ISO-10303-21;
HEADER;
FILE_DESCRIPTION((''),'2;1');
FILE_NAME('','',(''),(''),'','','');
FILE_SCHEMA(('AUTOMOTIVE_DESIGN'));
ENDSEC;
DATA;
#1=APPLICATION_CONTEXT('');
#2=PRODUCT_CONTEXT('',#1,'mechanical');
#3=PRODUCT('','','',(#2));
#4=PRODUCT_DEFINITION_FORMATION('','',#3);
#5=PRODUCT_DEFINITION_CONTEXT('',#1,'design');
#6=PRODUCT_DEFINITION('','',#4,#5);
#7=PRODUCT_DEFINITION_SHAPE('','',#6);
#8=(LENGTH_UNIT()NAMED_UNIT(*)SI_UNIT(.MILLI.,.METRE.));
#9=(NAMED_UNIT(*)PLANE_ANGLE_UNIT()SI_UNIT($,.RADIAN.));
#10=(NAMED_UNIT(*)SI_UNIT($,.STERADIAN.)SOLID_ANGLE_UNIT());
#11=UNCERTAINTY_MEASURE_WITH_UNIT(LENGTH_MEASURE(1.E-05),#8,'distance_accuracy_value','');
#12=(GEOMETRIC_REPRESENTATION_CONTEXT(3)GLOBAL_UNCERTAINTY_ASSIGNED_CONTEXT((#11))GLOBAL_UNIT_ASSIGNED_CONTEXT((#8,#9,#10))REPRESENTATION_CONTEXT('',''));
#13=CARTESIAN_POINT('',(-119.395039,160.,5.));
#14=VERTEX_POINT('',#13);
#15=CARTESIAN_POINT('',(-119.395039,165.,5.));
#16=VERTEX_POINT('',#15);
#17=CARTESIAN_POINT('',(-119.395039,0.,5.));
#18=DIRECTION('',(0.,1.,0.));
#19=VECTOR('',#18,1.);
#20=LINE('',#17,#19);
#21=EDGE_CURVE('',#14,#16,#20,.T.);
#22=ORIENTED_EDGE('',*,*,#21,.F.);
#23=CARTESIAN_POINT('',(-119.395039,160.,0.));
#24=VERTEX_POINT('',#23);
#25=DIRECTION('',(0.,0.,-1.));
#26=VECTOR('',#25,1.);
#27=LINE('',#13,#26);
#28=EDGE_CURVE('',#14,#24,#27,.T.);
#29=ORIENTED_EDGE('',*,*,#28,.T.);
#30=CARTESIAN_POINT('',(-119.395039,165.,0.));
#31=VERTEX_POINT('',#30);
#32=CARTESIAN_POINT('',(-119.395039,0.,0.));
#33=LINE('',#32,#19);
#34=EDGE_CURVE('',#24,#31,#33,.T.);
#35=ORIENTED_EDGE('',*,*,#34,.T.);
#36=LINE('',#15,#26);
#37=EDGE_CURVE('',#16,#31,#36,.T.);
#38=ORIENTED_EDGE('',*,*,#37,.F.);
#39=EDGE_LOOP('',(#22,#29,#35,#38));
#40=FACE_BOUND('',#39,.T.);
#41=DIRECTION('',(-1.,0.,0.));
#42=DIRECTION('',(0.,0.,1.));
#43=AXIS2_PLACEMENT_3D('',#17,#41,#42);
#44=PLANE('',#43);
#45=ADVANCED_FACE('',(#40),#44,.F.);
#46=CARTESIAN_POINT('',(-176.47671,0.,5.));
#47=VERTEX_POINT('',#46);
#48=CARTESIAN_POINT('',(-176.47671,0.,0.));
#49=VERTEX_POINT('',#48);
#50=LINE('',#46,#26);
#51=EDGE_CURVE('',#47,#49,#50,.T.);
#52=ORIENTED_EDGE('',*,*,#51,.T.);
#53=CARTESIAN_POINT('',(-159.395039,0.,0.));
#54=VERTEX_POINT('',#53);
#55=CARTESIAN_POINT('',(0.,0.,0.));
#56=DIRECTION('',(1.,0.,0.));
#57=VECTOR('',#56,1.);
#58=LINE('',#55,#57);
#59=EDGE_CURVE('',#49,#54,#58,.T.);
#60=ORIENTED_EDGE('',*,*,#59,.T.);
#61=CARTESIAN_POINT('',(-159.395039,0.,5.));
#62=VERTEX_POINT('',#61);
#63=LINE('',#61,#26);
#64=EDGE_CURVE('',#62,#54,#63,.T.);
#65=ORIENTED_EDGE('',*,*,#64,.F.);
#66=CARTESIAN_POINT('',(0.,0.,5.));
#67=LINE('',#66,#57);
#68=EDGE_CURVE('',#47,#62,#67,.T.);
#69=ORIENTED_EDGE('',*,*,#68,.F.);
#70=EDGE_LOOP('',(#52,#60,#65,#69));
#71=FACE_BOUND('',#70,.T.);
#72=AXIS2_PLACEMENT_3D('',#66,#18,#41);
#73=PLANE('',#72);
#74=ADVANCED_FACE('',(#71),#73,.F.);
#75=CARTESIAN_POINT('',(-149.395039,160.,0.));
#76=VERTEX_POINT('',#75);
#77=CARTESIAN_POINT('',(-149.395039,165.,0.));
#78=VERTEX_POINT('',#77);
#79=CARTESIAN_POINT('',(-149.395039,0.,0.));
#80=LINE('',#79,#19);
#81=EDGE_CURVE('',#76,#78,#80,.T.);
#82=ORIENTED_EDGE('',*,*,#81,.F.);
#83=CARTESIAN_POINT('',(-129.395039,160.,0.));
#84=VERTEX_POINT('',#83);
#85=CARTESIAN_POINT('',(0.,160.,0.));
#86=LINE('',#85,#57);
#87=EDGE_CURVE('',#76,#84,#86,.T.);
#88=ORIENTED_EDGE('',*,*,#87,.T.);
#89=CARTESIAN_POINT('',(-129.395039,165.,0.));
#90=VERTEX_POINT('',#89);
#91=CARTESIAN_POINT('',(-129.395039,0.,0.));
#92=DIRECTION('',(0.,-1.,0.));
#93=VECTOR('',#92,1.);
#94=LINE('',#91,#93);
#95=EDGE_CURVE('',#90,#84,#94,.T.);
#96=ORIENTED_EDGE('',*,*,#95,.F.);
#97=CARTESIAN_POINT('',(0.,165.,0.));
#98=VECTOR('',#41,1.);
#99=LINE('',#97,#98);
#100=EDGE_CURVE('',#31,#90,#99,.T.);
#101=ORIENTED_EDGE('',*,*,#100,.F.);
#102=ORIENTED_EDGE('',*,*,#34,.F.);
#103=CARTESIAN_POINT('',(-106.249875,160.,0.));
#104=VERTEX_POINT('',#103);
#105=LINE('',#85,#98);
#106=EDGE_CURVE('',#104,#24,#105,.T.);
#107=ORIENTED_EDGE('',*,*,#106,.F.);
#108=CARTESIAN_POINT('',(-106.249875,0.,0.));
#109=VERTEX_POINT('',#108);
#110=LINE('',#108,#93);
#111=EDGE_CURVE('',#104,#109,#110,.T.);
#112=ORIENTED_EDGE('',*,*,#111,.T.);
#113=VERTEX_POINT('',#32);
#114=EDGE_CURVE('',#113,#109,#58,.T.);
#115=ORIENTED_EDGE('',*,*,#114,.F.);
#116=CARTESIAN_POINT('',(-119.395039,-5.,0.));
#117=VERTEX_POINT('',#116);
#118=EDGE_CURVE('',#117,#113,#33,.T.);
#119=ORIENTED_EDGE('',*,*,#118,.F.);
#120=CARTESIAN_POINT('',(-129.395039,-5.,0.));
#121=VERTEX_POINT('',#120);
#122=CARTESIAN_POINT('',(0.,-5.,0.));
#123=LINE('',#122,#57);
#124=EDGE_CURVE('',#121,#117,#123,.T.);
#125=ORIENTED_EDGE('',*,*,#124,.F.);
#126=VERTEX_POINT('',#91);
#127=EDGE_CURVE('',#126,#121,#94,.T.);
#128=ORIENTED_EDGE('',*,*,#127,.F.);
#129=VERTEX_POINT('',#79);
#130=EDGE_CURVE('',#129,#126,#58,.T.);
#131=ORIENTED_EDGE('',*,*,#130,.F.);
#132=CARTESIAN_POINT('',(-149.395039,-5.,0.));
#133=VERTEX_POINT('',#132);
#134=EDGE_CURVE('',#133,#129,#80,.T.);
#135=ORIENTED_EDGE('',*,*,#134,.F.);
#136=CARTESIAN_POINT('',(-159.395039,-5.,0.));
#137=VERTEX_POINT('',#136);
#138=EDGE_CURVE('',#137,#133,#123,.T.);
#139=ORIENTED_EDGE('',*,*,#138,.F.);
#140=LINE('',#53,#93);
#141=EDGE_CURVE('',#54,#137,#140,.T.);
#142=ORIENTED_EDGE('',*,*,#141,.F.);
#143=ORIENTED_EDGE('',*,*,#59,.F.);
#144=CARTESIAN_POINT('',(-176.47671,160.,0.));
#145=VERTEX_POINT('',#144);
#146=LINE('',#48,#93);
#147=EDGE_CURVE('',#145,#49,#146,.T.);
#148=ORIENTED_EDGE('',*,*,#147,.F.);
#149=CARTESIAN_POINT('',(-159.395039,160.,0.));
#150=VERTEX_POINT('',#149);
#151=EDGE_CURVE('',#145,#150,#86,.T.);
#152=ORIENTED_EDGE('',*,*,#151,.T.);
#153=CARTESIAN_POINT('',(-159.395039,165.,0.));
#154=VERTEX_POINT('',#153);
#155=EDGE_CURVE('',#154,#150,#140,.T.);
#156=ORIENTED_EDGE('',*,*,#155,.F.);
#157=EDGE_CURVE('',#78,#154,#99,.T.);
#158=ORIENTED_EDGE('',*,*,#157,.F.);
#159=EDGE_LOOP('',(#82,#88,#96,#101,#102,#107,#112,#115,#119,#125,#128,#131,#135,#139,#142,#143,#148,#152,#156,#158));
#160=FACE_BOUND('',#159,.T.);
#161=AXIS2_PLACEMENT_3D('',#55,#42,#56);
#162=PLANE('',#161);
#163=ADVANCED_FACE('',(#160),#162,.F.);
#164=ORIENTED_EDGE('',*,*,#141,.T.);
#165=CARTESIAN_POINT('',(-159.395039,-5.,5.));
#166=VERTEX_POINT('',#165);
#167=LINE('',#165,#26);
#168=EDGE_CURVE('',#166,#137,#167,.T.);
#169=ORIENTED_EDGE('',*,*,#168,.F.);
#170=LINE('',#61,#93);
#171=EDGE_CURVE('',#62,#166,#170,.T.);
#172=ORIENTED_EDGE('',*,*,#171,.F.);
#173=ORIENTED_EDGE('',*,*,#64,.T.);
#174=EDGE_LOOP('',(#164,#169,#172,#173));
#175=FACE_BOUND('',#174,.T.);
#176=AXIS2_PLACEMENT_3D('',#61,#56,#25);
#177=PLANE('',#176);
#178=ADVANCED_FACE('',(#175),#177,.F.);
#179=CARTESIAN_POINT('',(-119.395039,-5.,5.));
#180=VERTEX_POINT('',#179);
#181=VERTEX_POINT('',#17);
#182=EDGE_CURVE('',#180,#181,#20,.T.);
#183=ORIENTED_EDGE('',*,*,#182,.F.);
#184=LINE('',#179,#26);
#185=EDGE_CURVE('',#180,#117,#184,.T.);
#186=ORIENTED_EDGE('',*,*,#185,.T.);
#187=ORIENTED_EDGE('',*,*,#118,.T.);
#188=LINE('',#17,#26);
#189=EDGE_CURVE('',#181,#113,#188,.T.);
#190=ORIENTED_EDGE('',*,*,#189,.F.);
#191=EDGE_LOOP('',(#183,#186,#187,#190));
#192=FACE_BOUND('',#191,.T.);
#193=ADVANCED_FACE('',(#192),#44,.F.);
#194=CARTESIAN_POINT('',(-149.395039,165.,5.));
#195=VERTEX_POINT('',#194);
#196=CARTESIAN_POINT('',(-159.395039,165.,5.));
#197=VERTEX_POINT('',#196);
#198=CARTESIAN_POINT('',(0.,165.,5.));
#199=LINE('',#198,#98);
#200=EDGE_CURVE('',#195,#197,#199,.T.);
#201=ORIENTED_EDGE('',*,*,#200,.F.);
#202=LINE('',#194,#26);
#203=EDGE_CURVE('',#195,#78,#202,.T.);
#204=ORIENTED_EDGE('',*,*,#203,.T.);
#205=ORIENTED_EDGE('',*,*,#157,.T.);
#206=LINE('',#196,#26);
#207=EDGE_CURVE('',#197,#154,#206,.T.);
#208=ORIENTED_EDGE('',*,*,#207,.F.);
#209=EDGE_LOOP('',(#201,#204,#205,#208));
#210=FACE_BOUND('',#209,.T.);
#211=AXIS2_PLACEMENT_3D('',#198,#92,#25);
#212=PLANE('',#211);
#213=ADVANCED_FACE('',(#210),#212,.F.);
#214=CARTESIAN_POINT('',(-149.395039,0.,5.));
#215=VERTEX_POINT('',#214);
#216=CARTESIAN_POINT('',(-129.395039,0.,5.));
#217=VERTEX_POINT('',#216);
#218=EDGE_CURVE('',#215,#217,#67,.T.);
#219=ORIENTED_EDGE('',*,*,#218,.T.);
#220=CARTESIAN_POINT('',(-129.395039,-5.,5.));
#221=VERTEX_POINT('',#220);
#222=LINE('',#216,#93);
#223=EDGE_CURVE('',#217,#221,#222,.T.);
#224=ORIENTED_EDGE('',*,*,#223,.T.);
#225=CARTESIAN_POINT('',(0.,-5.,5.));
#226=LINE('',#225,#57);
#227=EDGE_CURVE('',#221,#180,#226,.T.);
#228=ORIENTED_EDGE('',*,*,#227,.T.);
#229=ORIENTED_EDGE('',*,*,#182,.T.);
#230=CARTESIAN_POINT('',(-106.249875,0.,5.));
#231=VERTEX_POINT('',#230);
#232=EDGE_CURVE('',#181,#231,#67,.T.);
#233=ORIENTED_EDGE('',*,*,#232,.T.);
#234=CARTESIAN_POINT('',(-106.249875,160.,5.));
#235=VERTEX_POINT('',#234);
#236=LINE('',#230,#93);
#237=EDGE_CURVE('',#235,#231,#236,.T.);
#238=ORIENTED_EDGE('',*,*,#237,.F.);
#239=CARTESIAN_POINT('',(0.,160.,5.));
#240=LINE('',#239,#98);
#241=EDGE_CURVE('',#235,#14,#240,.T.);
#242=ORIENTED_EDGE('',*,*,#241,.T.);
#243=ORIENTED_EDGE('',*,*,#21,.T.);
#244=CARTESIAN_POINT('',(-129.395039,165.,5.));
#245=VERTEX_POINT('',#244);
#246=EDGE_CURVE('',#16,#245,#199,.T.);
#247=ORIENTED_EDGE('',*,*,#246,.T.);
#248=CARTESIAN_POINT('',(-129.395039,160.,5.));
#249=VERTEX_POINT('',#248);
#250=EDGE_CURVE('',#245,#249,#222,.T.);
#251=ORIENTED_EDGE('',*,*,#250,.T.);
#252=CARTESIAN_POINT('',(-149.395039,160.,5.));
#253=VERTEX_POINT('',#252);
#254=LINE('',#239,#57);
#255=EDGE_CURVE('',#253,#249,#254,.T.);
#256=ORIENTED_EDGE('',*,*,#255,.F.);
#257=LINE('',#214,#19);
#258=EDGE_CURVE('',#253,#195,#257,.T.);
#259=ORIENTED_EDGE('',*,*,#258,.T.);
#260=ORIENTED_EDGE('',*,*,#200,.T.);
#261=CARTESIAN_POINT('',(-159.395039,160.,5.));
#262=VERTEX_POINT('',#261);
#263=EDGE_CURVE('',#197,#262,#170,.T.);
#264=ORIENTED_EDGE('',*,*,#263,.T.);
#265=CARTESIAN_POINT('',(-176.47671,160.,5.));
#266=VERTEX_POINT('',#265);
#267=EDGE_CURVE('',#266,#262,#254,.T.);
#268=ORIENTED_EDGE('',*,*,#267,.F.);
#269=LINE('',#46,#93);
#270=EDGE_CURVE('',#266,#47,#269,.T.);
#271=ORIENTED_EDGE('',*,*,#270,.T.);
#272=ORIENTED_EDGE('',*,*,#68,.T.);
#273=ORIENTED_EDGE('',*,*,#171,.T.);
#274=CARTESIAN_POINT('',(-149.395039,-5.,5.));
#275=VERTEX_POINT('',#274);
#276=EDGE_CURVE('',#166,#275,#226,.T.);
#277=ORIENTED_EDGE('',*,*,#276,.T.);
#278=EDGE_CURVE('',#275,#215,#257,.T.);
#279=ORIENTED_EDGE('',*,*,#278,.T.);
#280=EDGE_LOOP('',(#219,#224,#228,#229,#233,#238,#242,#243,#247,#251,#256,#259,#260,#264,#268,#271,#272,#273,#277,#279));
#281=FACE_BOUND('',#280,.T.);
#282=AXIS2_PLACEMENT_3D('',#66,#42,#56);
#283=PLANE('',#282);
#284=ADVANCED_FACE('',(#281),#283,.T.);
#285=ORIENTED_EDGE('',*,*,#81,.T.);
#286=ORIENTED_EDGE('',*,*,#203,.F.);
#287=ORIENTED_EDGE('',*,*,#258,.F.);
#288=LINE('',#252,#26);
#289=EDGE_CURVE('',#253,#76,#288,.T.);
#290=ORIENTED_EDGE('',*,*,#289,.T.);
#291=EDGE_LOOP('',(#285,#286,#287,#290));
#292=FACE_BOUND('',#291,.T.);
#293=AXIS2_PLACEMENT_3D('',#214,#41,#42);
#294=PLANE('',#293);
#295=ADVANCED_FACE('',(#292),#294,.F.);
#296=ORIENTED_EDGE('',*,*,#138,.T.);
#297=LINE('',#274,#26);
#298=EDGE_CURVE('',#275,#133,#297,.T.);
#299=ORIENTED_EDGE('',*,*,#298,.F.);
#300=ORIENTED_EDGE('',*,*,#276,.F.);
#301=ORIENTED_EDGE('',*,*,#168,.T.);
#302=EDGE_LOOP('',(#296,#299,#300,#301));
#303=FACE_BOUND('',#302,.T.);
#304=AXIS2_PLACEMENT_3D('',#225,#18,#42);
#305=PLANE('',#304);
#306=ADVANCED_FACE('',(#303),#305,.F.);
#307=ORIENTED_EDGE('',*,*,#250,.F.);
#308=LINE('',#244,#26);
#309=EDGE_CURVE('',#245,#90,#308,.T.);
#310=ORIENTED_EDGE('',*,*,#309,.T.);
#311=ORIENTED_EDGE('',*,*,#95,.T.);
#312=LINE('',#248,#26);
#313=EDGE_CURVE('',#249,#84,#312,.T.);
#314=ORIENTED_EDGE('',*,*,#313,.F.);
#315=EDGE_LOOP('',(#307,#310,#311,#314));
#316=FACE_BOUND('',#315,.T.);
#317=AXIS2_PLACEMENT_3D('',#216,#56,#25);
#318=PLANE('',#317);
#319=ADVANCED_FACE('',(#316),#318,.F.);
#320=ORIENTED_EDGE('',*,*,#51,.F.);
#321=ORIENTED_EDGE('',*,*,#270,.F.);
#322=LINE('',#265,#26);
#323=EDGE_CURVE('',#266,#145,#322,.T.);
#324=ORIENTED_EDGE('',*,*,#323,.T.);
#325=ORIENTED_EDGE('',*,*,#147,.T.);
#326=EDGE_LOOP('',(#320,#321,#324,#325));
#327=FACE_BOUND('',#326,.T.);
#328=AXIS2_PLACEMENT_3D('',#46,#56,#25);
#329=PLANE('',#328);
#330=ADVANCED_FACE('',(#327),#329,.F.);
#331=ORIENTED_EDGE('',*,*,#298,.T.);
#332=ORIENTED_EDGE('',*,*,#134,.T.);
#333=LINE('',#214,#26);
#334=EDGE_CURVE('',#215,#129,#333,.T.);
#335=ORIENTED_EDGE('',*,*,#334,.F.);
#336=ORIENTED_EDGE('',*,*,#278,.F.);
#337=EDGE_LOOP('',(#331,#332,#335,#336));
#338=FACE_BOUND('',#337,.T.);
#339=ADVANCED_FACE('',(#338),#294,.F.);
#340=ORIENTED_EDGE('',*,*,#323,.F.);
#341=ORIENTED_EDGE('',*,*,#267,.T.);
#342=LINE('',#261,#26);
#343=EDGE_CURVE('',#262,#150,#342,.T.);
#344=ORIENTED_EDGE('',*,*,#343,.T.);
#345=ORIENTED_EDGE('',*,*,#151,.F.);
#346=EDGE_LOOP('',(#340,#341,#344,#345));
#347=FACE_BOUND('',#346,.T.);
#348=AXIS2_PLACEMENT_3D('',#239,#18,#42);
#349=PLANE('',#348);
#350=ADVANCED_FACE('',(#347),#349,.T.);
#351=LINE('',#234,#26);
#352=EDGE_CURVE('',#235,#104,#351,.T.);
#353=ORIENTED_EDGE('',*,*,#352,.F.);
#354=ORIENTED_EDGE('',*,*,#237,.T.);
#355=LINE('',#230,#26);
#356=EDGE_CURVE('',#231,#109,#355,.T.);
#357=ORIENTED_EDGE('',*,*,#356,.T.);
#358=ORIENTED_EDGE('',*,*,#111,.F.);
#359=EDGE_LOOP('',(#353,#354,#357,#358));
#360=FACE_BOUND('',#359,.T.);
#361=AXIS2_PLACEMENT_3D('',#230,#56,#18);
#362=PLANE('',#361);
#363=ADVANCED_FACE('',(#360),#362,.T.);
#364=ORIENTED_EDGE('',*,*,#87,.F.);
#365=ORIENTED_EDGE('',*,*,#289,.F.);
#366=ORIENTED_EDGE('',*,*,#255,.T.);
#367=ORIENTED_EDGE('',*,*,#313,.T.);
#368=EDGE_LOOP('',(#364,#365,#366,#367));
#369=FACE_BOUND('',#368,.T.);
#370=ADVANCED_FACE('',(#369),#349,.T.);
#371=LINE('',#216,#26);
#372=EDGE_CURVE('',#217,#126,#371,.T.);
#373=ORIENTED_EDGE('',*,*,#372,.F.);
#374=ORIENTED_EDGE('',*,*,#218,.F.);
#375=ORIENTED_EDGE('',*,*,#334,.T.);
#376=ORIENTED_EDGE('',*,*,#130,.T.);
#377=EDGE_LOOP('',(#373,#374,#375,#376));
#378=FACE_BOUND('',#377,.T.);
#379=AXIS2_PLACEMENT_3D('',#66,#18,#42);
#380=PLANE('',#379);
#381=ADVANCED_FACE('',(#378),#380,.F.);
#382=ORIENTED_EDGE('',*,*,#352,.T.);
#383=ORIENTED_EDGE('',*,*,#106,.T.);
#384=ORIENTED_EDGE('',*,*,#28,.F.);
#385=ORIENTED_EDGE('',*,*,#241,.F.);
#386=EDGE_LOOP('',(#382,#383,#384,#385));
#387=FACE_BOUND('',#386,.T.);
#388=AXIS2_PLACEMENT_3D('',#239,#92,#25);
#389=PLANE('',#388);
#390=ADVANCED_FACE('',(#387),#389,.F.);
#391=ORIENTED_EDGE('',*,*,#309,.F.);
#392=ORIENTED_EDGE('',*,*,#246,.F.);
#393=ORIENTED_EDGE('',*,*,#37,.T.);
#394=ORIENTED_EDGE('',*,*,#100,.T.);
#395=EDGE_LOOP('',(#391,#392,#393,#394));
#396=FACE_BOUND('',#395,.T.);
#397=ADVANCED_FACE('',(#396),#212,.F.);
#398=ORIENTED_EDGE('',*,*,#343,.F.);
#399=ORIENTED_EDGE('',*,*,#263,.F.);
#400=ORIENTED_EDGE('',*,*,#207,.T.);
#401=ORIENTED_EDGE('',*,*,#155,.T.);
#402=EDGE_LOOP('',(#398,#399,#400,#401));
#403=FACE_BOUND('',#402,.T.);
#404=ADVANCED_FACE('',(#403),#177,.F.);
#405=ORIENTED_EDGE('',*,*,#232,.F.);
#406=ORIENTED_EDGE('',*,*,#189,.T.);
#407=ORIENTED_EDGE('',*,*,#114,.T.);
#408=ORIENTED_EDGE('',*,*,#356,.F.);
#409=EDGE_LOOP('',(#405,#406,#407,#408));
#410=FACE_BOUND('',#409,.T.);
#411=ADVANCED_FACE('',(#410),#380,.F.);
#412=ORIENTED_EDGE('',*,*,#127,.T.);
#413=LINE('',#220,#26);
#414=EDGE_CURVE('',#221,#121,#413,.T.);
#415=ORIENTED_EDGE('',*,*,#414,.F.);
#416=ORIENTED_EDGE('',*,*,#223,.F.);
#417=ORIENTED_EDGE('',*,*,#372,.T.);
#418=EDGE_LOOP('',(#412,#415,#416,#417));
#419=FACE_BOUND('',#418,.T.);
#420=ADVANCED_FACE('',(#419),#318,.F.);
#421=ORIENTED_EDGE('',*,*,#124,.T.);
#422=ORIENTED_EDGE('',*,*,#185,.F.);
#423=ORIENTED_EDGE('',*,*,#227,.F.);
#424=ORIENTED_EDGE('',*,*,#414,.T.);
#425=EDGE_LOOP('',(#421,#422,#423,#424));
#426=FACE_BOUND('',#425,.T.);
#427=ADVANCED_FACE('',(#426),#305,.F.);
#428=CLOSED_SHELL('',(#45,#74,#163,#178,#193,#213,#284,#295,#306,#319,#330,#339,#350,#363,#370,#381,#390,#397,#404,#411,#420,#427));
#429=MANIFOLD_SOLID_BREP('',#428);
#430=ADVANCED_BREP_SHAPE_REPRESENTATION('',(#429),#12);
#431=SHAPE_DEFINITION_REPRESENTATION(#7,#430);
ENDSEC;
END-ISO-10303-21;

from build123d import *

# Parameters (mm, degrees)
BOSS_EXTRUDE1_DEPTH = 5


with BuildPart() as part:
    # Sketch1 → Boss-Extrude1 (new body)
    with BuildSketch(Plane.XY):
        Polygon((-176.476710021, 160), (-176.476710021, 0), (-159.395039413, 0), (-159.395039413, -5), (-149.395039413, -5), (-149.395039413, 0), (-129.395039413, 0), (-129.395039413, -5), (-119.395039413, -5), (-119.395039413, 0), (-106.249875022, 0), (-106.249875022, 160), (-119.395039413, 160), (-119.395039413, 165), (-129.395039413, 165), (-129.395039413, 160), (-149.395039413, 160), (-149.395039413, 165), (-159.395039413, 165), (-159.395039413, 160), align=None)
    extrude(amount=BOSS_EXTRUDE1_DEPTH)


solid = part.part
